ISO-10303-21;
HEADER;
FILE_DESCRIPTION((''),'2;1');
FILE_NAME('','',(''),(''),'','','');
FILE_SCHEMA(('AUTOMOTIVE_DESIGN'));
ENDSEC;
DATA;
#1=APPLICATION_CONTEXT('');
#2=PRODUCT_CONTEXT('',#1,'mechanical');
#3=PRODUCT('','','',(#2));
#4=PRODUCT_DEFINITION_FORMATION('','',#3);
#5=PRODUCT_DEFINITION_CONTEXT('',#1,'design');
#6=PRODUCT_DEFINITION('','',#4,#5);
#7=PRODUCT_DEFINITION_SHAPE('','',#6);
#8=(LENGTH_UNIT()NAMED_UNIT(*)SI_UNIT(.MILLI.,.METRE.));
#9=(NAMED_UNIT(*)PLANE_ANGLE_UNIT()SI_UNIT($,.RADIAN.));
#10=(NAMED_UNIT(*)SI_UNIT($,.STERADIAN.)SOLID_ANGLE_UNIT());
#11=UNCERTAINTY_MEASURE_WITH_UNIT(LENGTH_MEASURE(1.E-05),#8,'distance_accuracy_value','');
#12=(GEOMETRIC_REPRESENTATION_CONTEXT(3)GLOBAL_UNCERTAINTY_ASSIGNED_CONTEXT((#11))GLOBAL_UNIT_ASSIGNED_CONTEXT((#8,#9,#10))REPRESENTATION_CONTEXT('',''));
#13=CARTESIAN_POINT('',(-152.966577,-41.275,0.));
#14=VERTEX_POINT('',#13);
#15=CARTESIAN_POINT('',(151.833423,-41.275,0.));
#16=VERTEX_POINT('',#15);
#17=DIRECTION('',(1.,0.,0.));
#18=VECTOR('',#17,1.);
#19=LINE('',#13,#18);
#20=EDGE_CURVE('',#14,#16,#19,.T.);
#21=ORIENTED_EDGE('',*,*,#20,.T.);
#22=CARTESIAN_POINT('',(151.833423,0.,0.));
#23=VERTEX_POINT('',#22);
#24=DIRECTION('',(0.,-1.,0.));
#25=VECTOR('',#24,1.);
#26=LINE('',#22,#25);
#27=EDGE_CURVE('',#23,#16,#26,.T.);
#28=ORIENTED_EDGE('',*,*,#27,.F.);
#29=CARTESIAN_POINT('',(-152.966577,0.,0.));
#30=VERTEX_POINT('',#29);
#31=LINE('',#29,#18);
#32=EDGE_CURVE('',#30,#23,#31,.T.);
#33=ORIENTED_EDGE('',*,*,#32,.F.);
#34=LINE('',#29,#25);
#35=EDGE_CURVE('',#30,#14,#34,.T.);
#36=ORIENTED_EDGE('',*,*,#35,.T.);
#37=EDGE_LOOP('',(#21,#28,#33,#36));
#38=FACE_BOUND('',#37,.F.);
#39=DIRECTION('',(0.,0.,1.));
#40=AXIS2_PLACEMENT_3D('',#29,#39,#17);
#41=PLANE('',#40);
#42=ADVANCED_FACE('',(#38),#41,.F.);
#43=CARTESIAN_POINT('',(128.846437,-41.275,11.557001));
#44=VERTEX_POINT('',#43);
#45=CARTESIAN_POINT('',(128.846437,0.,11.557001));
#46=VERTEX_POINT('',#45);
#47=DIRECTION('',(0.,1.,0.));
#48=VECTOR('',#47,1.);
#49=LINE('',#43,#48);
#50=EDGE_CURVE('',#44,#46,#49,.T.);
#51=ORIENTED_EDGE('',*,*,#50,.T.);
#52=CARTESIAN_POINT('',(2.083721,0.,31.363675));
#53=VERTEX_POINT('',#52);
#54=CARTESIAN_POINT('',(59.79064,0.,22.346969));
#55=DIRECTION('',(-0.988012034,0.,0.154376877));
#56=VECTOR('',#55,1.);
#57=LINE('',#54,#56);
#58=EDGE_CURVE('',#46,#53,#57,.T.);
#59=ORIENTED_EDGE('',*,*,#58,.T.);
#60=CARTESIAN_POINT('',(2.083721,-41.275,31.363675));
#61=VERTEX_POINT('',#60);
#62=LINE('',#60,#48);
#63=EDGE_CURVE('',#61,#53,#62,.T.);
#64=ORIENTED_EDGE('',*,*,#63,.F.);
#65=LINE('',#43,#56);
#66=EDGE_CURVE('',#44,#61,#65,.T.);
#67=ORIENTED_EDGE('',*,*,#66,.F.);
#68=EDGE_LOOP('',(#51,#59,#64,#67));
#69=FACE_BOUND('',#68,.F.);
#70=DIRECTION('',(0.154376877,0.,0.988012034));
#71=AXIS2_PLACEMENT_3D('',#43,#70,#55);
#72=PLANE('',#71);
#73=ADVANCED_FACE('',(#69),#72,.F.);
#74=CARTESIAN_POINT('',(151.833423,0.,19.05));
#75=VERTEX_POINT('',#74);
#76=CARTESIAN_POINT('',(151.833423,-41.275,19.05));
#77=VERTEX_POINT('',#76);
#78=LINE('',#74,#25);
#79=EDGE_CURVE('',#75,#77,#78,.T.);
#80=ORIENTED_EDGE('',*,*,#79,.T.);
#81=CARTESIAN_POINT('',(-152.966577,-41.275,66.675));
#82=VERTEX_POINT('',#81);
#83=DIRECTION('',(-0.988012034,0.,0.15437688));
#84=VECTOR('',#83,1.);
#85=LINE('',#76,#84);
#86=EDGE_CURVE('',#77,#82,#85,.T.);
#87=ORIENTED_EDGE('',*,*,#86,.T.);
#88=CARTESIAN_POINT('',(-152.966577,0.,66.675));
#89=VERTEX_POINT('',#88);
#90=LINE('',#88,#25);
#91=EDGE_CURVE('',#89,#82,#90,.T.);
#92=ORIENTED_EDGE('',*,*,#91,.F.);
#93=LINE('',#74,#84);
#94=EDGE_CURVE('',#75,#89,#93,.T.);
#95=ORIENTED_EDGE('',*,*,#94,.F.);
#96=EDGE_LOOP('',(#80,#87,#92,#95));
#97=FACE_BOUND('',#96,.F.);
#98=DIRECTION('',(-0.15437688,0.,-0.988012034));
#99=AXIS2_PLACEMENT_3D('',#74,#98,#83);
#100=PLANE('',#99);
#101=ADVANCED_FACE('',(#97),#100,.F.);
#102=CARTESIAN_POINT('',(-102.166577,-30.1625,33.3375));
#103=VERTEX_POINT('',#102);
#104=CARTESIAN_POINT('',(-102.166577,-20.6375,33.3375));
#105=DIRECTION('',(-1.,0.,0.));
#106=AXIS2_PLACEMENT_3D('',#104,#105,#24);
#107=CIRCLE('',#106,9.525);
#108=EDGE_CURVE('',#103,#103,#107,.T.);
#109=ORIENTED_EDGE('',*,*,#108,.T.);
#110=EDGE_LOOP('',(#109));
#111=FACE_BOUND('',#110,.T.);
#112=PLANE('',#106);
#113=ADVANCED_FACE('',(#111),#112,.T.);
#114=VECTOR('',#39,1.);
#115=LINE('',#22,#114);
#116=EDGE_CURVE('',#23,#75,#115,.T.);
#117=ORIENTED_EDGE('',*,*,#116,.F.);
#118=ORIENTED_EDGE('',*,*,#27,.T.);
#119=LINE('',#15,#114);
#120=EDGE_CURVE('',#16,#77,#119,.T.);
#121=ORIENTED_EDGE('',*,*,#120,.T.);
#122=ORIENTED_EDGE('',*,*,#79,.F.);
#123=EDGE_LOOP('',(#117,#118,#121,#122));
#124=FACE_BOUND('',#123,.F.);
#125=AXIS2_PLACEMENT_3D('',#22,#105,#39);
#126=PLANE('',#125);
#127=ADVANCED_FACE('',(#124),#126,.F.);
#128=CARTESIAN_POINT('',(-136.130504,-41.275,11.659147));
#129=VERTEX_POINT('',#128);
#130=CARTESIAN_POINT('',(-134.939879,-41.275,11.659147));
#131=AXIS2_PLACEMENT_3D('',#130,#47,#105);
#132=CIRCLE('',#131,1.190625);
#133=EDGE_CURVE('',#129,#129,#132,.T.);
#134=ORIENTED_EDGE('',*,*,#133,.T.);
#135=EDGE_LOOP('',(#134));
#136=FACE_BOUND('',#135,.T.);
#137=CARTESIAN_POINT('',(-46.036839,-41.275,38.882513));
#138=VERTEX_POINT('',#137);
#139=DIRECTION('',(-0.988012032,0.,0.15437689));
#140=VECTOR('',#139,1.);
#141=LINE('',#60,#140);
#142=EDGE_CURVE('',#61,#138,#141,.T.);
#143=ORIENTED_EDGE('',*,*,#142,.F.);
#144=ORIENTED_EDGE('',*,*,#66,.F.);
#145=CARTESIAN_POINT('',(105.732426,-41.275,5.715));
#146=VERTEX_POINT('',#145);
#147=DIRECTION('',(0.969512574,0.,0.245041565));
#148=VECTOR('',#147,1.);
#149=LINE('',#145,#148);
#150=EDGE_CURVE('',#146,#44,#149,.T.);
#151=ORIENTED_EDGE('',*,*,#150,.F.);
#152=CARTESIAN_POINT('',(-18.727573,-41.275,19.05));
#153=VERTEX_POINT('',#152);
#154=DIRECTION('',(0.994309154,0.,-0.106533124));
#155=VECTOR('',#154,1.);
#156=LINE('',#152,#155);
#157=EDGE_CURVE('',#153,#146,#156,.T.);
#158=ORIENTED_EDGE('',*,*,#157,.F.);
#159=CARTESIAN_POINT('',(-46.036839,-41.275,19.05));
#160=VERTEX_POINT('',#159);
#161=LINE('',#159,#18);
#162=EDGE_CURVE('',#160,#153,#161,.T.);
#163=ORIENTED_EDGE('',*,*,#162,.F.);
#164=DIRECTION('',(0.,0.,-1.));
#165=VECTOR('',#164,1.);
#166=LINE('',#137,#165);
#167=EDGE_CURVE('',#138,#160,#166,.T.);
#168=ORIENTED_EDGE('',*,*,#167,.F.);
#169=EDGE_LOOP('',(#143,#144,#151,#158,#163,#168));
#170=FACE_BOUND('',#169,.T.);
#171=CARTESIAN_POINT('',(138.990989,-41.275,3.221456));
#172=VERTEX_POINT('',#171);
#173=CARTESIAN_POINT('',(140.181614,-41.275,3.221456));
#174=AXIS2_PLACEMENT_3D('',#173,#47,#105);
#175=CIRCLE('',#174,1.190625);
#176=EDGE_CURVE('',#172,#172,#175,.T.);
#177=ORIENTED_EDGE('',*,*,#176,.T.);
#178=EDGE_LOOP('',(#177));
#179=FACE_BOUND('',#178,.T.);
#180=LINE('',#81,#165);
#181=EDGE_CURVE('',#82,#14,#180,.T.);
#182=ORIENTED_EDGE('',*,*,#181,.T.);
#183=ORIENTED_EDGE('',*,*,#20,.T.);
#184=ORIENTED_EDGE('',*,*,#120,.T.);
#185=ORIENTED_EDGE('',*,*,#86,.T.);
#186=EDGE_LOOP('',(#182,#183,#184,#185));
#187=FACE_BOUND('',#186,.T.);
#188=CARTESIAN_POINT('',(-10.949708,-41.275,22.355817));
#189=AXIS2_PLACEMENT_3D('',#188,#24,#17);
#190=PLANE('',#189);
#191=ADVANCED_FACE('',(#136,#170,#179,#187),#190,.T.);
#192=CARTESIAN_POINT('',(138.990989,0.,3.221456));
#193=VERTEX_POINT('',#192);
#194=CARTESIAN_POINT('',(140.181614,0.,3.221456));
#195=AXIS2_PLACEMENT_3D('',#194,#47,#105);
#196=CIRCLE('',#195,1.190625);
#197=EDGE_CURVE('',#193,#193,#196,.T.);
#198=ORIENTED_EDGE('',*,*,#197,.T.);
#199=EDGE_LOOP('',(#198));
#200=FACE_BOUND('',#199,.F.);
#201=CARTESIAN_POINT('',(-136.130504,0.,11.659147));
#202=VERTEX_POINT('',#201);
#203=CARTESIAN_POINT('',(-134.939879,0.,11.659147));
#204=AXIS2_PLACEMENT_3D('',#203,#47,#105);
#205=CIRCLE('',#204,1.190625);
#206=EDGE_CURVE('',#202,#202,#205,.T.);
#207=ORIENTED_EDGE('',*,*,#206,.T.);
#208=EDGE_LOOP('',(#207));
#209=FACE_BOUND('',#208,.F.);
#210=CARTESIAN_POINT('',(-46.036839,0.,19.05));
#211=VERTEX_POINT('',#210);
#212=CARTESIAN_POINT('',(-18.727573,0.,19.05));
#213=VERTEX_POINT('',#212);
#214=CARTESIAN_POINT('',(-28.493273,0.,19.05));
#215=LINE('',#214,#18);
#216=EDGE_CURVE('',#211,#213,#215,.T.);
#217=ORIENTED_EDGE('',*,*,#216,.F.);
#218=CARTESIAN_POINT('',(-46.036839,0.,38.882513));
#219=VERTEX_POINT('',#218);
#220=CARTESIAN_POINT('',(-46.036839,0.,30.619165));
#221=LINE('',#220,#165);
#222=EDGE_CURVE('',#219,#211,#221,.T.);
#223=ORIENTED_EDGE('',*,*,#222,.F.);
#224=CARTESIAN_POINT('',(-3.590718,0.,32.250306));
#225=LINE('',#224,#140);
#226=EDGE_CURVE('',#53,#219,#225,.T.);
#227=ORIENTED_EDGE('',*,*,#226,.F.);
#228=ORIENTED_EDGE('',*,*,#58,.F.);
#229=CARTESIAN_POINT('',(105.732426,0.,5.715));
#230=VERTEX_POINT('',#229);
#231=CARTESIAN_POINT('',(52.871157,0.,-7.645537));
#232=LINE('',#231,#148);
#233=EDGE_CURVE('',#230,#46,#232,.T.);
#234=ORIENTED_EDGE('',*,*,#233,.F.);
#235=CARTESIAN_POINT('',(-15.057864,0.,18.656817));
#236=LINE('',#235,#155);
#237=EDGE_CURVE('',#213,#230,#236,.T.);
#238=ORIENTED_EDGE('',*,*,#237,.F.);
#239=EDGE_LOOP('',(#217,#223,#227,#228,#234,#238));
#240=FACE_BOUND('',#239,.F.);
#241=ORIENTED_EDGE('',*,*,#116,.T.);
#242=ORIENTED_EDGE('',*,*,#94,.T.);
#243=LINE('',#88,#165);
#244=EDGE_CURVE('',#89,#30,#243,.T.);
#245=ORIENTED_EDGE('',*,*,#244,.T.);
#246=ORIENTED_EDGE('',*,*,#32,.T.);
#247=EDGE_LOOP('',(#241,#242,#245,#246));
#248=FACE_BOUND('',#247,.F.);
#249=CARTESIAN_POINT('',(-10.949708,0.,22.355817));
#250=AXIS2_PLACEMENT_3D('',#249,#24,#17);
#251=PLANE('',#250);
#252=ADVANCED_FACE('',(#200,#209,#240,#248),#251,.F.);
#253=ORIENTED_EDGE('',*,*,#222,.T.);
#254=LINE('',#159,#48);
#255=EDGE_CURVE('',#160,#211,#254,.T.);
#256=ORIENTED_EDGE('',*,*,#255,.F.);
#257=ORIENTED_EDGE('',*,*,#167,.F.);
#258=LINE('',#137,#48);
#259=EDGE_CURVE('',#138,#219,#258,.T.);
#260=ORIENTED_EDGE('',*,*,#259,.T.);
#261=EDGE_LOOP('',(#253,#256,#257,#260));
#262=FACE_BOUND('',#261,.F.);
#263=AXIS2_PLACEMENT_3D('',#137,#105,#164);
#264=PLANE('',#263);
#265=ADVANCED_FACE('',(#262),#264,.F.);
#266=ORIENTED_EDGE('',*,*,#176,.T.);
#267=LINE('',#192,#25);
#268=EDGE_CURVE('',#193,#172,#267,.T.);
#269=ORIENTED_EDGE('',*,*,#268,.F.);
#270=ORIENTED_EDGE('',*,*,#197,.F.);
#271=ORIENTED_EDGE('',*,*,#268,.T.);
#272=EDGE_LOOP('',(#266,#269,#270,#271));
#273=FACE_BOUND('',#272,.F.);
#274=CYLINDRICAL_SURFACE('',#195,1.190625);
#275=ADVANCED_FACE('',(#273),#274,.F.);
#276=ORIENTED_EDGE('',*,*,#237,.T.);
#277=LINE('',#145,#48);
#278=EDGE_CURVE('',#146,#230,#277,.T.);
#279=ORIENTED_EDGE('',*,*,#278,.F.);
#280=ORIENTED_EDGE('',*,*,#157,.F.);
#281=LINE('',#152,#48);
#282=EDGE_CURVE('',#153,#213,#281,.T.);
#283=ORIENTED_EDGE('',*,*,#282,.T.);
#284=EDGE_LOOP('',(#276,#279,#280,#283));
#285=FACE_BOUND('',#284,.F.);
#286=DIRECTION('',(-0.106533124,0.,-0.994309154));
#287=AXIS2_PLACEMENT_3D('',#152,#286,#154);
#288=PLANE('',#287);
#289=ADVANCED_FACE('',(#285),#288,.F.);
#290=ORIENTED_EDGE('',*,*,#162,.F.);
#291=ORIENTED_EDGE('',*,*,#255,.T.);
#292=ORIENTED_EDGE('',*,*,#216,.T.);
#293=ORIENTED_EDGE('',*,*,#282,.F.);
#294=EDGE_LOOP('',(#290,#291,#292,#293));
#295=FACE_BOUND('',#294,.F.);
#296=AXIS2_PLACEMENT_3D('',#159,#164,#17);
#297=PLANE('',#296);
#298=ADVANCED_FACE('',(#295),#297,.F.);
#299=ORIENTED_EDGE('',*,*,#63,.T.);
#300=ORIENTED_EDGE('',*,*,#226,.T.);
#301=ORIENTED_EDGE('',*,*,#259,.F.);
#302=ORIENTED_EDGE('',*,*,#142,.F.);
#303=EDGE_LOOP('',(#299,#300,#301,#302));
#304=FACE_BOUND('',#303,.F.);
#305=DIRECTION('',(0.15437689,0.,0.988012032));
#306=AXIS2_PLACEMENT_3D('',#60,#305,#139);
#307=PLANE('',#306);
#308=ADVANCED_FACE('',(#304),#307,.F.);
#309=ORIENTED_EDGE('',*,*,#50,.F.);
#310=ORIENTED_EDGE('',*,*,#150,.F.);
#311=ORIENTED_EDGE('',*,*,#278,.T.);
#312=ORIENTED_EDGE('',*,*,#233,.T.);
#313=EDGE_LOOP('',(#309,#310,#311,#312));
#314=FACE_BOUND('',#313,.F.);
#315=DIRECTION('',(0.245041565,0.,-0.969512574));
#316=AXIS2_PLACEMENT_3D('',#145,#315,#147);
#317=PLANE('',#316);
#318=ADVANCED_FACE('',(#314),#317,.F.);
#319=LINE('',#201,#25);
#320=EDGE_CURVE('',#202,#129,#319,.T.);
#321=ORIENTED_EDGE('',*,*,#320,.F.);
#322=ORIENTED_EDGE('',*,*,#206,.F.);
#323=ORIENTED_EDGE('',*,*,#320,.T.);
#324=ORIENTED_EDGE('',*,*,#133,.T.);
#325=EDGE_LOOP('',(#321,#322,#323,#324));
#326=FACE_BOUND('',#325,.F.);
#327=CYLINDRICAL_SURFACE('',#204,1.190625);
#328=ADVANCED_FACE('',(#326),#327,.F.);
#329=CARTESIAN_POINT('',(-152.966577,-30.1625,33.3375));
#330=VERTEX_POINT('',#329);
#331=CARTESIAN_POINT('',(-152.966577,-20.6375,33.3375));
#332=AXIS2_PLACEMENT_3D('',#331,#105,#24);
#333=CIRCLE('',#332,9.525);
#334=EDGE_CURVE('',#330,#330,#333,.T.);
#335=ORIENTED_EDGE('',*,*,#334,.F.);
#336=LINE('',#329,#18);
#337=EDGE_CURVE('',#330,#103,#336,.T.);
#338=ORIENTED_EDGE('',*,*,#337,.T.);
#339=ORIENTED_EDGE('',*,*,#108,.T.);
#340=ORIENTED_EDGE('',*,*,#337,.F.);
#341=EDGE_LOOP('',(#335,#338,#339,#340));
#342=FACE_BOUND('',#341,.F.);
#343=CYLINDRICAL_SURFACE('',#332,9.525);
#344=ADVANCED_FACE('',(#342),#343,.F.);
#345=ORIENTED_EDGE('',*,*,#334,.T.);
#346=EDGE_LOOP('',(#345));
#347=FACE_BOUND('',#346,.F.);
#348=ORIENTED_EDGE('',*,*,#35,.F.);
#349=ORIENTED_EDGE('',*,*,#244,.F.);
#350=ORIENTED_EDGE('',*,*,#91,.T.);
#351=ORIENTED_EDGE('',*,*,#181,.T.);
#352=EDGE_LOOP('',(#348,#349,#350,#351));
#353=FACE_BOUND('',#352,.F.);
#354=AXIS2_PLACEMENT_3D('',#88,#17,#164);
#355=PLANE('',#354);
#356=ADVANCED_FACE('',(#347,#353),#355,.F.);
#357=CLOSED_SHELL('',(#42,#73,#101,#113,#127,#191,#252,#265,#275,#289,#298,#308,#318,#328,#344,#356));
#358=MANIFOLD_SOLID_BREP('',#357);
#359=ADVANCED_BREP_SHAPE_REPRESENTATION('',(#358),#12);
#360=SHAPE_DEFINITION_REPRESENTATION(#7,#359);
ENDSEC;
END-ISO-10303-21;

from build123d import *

# Parameters (mm, degrees)
F1_DEPTH  = 41.275
F2_R      = 9.525
F3_DEPTH  = 50.8
F5_DEPTH  = 45.72
F7_DEPTH  = 60.96
F8_R      = 1.190625
F9_DEPTH  = 63.5
F10_R     = 1.190625
F11_DEPTH = 63.5


with BuildPart() as f1:
    # F0 (on Front) → F1 (new body)
    with BuildSketch(Plane.XZ):
        Polygon((-152.966577, 66.675), (-152.966577, 0), (151.833423, 0), (151.833423, 19.05), align=None)
    extrude(amount=F1_DEPTH)

    # F2 (on face) → F3 (cut)
    with BuildSketch(Plane(origin=(-152.966577, 0, 0), x_dir=(0, -1, 0), z_dir=(-1, 0, 0))):
        with Locations((20.6375, 33.3375)):
            Circle(F2_R)
    extrude(amount=-F3_DEPTH, mode=Mode.SUBTRACT)

    # F4 (on face) → F5 (cut)
    with BuildSketch(Plane.XZ.offset(41.275)):
        Polygon((105.732426, 5.715), (128.846437, 11.557001), (2.083721, 31.363675), (-18.727573, 19.05), align=None)
    extrude(amount=-F5_DEPTH, mode=Mode.SUBTRACT)

    # F6 (on face) → F7 (cut)
    with BuildSketch(Plane.XZ.offset(41.275)):
        Polygon((-18.727573, 19.05), (-46.036839, 38.882513), (-46.036839, 19.05), align=None)
        Polygon((-18.727573, 19.05), (2.083721, 31.363675), (-46.036839, 38.882513), align=None)
    extrude(amount=-F7_DEPTH, mode=Mode.SUBTRACT)

    # F8 (on face) → F9 (cut)
    with BuildSketch(Plane(origin=(0, 0, 0), x_dir=(-1, 0, 0), z_dir=(0, 1, 0))):
        with Locations((134.939879, 11.659147)):
            Circle(F8_R)
    extrude(amount=-F9_DEPTH, mode=Mode.SUBTRACT)

    # F10 (on face) → F11 (cut)
    with BuildSketch(Plane(origin=(0, 0, 0), x_dir=(-1, 0, 0), z_dir=(0, 1, 0))):
        with Locations((-140.181614, 3.221456)):
            Circle(F10_R)
    extrude(amount=-F11_DEPTH, mode=Mode.SUBTRACT)


solid = f1.part
